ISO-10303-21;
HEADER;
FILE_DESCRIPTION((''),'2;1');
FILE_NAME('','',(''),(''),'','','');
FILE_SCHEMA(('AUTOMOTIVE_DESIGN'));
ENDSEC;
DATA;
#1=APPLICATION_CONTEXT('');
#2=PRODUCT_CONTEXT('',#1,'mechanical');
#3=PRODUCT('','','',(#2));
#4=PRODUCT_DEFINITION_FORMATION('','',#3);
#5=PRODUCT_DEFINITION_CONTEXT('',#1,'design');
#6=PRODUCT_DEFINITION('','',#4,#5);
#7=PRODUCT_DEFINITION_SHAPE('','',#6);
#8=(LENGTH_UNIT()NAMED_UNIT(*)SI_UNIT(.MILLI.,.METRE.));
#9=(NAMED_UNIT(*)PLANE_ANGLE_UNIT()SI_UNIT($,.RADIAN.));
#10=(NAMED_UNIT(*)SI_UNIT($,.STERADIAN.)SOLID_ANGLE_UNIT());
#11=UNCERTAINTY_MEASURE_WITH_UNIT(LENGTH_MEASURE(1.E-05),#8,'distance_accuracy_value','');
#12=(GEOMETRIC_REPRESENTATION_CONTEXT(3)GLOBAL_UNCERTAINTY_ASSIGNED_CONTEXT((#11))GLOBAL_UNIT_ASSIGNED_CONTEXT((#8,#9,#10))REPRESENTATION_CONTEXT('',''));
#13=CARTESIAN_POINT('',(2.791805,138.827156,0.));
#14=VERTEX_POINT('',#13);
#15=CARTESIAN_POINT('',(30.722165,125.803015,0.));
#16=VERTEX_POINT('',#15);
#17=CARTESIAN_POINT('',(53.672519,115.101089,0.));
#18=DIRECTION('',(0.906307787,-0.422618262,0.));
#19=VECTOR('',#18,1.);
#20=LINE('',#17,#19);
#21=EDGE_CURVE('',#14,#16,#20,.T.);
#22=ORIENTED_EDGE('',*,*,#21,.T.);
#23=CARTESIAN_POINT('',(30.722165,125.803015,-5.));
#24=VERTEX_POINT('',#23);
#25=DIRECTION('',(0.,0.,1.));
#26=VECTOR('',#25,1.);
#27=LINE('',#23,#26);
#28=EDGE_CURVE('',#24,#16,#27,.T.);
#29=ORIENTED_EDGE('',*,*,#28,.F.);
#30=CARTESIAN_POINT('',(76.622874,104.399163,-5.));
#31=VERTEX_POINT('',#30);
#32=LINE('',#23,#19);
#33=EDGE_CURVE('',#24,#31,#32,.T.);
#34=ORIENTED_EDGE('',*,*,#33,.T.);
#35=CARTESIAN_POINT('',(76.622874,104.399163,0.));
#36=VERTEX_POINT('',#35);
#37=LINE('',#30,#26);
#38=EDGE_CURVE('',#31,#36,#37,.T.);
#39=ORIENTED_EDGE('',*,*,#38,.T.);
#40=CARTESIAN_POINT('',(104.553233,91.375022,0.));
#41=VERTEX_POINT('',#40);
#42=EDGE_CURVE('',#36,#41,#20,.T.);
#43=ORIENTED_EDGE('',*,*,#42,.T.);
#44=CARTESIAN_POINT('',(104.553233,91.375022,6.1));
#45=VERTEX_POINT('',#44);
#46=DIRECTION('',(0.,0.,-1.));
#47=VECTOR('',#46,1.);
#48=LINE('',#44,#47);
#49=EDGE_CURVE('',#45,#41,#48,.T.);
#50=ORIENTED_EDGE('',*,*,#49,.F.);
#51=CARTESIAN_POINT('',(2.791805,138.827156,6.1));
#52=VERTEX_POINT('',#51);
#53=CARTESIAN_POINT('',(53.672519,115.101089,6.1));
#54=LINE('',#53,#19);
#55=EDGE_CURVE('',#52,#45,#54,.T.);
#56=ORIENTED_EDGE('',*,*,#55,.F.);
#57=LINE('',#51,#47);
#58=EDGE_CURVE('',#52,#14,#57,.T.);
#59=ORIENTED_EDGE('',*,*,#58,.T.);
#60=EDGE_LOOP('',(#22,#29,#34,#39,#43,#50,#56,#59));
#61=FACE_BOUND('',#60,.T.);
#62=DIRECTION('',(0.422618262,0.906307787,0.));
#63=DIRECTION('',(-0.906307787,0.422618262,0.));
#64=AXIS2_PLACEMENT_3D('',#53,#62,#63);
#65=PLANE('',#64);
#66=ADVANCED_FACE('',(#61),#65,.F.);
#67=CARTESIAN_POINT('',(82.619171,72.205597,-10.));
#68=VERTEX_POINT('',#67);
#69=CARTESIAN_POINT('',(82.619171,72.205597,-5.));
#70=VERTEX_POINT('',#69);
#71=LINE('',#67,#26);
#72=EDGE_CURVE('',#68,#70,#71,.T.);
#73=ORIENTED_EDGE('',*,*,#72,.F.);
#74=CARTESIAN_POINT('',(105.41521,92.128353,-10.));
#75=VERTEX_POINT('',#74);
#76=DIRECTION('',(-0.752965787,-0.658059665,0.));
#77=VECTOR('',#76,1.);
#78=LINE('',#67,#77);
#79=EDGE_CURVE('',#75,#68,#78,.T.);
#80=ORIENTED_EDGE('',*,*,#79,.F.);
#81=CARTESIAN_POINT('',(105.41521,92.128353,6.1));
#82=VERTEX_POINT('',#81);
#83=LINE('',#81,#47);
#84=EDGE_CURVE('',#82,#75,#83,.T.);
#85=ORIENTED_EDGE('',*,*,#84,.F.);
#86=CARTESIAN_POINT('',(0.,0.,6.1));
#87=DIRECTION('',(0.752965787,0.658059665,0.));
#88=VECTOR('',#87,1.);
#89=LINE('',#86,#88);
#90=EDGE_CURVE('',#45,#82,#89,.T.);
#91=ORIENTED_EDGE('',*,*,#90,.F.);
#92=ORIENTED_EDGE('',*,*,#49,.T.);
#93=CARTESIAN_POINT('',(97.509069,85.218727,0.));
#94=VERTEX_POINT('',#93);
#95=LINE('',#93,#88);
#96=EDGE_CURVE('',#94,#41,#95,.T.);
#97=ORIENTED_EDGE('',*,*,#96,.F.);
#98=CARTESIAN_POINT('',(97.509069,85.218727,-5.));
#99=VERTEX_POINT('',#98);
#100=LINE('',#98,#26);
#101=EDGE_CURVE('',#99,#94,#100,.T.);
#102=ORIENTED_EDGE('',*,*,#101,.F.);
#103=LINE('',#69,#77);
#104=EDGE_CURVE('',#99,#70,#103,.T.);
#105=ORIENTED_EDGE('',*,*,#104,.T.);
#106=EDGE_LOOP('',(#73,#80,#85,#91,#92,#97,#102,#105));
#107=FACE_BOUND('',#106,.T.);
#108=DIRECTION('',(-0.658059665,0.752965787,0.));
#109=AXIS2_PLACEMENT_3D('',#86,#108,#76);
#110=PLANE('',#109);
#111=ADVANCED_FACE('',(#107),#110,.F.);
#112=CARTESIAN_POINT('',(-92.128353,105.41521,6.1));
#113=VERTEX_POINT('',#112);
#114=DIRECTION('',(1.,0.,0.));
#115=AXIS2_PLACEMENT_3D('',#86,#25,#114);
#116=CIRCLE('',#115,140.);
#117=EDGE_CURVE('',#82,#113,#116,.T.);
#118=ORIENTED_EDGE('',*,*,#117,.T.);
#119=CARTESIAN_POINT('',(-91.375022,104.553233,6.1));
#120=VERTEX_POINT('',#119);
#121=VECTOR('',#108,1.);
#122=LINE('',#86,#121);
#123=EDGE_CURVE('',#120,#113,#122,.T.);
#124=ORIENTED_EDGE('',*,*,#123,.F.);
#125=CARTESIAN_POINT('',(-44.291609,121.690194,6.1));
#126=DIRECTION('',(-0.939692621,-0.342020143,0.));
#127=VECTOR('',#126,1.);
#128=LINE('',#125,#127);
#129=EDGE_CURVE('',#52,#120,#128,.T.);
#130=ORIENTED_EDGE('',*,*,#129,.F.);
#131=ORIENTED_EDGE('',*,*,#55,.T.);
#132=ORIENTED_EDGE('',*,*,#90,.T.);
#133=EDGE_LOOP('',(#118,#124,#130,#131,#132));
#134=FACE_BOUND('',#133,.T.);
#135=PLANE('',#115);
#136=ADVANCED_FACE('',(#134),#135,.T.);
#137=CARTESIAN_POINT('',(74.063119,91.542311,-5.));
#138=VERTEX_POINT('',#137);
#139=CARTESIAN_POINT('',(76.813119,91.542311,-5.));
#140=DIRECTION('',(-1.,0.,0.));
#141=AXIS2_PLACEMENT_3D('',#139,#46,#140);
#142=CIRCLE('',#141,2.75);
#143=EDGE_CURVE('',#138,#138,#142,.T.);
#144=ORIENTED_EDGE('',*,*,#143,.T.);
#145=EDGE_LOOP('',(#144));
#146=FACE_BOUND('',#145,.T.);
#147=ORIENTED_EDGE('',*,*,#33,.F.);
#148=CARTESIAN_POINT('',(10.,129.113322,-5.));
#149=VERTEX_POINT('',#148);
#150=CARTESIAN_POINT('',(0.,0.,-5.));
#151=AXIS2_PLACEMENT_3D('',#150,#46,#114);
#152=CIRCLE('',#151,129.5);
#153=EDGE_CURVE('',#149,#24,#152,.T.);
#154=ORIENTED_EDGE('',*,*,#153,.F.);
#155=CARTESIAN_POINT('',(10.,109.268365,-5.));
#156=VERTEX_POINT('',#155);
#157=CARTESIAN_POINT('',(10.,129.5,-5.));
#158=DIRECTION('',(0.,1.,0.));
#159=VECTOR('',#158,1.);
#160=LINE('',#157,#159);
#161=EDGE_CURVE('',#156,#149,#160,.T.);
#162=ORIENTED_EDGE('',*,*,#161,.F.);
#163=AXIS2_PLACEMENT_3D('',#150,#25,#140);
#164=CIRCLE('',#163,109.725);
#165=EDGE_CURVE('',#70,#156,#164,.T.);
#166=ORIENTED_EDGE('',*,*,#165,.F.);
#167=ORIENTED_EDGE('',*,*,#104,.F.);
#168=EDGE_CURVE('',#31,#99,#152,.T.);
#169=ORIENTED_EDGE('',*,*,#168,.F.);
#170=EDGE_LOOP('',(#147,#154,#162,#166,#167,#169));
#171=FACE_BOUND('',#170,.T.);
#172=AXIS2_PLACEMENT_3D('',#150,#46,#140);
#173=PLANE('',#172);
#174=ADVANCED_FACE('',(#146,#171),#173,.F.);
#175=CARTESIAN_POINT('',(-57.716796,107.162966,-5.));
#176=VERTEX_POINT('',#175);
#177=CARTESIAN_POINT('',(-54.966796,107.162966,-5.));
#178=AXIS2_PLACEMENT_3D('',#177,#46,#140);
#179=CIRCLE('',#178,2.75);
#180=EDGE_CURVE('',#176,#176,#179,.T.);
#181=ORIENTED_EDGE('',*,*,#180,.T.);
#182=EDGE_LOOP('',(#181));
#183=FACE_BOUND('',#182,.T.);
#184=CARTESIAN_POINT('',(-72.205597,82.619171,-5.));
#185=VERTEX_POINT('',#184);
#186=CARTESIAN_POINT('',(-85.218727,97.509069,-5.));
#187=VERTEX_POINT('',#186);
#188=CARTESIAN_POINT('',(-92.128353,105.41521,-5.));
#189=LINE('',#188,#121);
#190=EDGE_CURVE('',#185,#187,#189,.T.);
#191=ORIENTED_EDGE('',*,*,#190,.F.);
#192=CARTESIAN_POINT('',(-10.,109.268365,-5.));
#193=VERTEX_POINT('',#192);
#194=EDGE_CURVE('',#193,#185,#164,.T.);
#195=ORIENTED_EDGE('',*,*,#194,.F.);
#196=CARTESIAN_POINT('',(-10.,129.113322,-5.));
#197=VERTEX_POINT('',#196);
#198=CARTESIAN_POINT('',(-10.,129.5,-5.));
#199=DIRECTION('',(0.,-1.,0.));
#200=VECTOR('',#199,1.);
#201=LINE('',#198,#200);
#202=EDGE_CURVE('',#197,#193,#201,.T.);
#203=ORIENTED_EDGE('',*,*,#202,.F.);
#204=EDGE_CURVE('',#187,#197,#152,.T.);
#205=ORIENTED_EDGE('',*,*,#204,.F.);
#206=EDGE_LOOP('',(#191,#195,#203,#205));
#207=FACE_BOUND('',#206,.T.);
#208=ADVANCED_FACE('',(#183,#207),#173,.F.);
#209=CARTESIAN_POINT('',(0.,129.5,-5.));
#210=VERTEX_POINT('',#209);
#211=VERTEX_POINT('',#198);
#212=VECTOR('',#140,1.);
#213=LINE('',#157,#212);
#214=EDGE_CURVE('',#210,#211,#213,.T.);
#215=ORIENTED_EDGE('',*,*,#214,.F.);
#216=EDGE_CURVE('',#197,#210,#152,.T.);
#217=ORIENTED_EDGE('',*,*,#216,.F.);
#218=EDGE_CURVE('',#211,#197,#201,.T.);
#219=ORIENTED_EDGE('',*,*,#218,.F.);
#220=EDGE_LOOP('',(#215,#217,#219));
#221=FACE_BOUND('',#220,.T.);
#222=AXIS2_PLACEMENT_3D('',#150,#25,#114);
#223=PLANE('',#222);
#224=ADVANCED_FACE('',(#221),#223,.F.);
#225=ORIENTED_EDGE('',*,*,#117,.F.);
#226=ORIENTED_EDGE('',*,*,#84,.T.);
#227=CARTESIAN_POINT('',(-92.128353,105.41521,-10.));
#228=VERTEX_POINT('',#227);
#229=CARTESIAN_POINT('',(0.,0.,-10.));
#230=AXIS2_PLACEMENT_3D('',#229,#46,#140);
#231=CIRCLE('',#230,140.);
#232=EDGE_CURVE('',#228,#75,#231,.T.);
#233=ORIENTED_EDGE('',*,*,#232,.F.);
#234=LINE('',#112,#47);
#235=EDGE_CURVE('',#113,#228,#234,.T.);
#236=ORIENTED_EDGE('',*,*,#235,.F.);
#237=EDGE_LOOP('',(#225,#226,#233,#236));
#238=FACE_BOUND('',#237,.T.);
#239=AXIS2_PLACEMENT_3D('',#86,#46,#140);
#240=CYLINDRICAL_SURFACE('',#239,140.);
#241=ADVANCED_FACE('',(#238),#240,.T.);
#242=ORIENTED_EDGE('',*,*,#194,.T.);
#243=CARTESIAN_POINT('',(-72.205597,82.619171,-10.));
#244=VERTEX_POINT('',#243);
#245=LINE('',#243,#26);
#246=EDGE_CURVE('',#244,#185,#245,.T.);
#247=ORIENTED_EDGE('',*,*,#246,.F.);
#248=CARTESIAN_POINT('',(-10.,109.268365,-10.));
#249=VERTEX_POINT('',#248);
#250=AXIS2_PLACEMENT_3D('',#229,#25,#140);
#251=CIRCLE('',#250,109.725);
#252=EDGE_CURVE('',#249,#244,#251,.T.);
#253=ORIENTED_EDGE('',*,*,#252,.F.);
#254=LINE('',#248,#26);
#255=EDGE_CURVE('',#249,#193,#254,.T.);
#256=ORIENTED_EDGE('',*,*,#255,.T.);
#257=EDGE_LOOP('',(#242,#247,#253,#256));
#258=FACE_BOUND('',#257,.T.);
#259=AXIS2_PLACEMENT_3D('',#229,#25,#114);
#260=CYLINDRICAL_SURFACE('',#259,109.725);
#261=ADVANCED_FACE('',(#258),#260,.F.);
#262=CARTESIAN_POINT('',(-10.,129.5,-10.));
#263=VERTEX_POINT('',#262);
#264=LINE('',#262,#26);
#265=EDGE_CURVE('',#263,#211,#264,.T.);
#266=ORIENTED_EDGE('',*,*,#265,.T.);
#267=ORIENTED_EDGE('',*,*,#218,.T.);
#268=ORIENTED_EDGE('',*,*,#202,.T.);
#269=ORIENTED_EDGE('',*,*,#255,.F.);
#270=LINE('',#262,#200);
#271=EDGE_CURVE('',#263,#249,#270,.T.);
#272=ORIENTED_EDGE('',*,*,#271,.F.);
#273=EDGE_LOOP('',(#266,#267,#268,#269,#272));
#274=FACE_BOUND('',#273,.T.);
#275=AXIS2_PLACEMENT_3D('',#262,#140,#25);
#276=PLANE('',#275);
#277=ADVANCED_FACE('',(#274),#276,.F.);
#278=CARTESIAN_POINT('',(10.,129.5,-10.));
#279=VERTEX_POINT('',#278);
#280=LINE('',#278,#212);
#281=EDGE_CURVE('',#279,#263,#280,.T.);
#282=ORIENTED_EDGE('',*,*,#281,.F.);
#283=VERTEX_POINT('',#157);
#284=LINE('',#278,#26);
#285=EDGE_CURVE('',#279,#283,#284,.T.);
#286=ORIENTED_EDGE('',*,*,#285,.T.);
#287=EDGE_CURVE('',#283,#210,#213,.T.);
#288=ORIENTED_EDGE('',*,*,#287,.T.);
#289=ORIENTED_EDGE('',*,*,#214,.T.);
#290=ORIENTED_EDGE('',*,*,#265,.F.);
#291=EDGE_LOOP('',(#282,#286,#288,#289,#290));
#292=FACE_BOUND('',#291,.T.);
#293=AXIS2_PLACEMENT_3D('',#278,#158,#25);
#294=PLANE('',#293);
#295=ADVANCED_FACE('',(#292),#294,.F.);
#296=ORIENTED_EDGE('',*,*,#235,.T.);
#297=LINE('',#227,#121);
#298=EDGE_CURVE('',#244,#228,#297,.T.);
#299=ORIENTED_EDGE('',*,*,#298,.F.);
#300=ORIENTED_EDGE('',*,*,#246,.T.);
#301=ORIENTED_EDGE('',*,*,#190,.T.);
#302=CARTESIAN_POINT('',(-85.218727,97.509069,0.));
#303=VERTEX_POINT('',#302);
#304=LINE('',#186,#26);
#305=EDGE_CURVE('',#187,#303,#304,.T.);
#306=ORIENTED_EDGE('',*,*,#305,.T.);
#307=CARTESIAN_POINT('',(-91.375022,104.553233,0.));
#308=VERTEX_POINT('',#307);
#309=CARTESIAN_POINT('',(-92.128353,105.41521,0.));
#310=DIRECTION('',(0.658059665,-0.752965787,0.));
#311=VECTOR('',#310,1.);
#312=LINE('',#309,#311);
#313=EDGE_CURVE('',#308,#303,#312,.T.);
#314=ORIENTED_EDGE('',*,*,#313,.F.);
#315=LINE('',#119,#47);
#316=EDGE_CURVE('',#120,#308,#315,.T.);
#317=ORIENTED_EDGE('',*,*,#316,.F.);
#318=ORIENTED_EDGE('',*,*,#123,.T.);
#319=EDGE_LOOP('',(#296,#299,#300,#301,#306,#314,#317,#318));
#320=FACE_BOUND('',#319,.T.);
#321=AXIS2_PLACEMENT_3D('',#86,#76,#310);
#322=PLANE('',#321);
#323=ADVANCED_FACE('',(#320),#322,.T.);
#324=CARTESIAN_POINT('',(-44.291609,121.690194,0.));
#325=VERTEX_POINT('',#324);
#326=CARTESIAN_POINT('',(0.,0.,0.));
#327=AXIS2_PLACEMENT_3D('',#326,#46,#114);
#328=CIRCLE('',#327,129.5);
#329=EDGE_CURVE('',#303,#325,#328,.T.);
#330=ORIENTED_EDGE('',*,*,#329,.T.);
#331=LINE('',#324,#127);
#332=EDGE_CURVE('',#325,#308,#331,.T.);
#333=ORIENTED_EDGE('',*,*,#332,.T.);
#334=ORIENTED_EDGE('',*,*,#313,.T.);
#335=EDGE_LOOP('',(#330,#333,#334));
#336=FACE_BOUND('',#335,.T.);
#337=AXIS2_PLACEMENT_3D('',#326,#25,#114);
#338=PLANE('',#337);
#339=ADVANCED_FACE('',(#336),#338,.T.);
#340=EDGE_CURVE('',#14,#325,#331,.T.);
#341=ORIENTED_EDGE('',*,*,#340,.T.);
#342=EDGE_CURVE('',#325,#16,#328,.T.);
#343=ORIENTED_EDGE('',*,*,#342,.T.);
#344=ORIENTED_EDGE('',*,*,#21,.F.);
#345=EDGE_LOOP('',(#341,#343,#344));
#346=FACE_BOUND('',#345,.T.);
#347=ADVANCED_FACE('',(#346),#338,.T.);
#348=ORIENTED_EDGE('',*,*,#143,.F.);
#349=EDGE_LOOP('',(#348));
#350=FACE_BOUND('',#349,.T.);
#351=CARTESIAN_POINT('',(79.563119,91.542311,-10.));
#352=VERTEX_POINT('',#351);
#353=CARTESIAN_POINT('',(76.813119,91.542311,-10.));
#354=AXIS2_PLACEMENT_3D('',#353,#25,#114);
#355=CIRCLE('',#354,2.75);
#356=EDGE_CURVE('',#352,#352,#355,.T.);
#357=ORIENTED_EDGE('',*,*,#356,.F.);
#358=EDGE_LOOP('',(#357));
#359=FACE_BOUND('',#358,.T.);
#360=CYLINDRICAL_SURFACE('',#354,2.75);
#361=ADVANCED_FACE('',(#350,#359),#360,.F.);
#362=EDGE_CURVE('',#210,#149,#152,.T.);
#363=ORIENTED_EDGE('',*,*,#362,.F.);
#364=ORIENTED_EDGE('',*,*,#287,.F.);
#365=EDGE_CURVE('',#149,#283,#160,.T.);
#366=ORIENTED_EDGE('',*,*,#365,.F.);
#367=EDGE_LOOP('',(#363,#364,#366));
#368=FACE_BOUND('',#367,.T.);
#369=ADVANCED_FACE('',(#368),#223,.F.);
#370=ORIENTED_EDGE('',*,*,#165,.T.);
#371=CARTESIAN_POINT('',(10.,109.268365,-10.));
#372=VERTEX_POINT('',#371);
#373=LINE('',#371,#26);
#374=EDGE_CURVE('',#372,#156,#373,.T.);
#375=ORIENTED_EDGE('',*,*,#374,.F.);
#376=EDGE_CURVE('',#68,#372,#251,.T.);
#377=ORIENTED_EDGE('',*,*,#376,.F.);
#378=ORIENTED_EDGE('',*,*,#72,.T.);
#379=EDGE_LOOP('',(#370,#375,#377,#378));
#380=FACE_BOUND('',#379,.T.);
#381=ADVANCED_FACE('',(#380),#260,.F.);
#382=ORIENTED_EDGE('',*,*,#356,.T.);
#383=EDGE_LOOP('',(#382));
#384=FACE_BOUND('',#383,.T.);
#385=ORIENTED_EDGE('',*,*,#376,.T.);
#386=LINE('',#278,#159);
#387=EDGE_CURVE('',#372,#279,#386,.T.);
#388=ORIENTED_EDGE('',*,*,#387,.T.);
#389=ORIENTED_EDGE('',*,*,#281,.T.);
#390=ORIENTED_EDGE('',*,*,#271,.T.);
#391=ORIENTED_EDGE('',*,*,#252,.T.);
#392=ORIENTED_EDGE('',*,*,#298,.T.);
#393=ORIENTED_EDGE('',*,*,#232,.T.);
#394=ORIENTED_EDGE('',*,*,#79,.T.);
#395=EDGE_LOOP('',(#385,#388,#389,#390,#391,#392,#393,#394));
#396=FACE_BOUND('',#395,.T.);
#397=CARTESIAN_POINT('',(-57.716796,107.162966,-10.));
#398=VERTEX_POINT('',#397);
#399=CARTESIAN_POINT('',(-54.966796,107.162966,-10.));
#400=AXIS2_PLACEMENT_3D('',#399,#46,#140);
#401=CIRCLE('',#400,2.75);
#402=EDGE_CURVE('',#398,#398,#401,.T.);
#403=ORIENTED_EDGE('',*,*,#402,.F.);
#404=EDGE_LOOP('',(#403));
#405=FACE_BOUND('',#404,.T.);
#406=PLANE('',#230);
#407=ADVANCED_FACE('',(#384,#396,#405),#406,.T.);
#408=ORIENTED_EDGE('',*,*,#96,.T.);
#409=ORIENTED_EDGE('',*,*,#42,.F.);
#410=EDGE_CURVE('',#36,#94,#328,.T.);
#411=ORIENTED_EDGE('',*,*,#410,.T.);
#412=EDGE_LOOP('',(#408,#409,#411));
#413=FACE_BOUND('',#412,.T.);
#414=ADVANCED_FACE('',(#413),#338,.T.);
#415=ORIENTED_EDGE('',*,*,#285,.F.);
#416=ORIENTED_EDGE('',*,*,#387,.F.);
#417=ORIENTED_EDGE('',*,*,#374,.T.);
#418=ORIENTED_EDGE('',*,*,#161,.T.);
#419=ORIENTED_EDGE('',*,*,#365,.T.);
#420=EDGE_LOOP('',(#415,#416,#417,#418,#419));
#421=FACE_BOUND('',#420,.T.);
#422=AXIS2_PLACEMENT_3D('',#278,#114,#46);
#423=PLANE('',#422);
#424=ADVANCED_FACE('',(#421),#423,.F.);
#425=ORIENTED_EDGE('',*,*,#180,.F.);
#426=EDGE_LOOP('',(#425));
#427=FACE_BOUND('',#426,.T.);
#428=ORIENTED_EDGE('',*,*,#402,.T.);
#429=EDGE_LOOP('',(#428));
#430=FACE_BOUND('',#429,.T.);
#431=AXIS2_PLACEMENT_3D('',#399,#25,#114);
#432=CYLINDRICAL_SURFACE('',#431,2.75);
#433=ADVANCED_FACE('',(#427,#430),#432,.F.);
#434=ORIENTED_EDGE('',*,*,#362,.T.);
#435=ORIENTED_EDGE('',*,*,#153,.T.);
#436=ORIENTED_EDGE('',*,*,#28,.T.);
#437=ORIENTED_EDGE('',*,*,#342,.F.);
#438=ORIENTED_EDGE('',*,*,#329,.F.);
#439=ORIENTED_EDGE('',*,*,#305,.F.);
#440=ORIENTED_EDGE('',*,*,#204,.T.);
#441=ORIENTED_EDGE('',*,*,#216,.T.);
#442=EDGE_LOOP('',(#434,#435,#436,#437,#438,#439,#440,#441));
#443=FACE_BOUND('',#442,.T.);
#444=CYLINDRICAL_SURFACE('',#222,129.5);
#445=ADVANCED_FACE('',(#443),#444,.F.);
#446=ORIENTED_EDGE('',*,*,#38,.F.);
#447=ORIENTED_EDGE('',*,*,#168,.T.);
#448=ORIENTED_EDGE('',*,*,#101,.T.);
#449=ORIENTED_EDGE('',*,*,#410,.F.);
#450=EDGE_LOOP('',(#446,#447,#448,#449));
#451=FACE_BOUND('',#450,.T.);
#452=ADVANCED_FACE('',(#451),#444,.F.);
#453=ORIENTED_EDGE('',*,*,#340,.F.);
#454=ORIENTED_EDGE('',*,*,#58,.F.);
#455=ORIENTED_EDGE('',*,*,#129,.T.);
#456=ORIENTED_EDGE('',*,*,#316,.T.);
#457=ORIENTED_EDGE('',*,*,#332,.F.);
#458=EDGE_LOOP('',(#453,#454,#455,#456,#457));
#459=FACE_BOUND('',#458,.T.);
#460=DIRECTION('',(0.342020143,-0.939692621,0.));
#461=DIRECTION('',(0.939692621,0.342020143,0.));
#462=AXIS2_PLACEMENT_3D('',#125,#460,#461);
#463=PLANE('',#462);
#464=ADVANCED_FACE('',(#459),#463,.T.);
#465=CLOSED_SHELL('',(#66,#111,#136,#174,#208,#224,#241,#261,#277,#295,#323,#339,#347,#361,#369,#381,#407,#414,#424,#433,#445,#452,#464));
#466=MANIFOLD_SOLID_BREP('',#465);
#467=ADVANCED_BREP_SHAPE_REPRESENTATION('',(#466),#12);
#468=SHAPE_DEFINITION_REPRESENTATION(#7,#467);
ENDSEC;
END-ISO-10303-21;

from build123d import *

# Parameters (mm, degrees)
BOSS_EXTRUDE1_DEPTH = 6.1
BOSS_EXTRUDE4_START = -5
BOSS_EXTRUDE4_DEPTH = 5
BOSS_EXTRUDE5_START = 5
SKETCH6_R           = 2.75
BOSS_EXTRUDE5_DEPTH = 5
SKETCH7_R           = 2.75
CUT_EXTRUDE1_DEPTH  = 176.534516689


with BuildPart() as part:
    # Sketch4 → Boss-Extrude1 (new body)
    with BuildSketch(Plane.XY):
        with BuildLine():
            Line((2.791805242, 138.827155544), (104.55323324, 91.375022364))
            Line((104.55323324, 91.375022364), (105.415210237, 92.128353131))
            ThreePointArc((105.415210237, 92.128353131), (9.395226761, 139.684393237), (-92.128353131, 105.415210237))
            Line((-92.128353131, 105.415210237), (-91.375022364, 104.55323324))
            Line((-91.375022364, 104.55323324), (2.791805242, 138.827155544))
        make_face()
    extrude(amount=BOSS_EXTRUDE1_DEPTH)

    # Sketch5 → Boss-Extrude4 (add)
    with BuildSketch(Plane.XY.offset(BOSS_EXTRUDE4_START)):
        with BuildLine():
            Line((30.722164617, 125.803015072), (76.622873865, 104.399162835))
            ThreePointArc((76.622873865, 104.399162835), (87.59255508, 95.382358403), (97.50906947, 85.218726646))
            Line((97.50906947, 85.218726646), (105.415210237, 92.128353131))
            ThreePointArc((105.415210237, 92.128353131), (9.395226761, 139.684393237), (-92.128353131, 105.415210237))
            Line((-92.128353131, 105.415210237), (-85.218726646, 97.50906947))
            ThreePointArc((-85.218726646, 97.50906947), (-30.701883618, 125.807966132), (30.722164617, 125.803015072))
        make_face()
    extrude(amount=BOSS_EXTRUDE4_DEPTH)

    # Sketch6 → Boss-Extrude5 (add)
    with BuildSketch(Plane(origin=(0, 0, -5), x_dir=(-1, 0, 0), z_dir=(0, 0, -1)).offset(BOSS_EXTRUDE5_START)):
        with BuildLine():
            Line((-10, 129.5), (10, 129.5))
            Line((10, 129.5), (10, 109.268365161))
            ThreePointArc((10, 109.268365161), (43.208620922, 100.85926186), (72.205596766, 82.619171024))
            Line((72.205596766, 82.619171024), (92.128353131, 105.415210237))
            ThreePointArc((92.128353131, 105.415210237), (-9.395226761, 139.684393237), (-105.415210237, 92.128353131))
            Line((-105.415210237, 92.128353131), (-82.619171024, 72.205596766))
            ThreePointArc((-82.619171024, 72.205596766), (-49.879754516, 97.732214313), (-10, 109.268365161))
            Line((-10, 109.268365161), (-10, 129.5))
        make_face()
        with Locations((54.966796439, 107.162966034)):
            Circle(SKETCH6_R, mode=Mode.SUBTRACT)
    extrude(amount=-BOSS_EXTRUDE5_DEPTH)

    # Sketch7 → Cut-Extrude1 (cut, through all)
    with BuildSketch(Plane.XY):
        with Locations((76.813119358, 91.542310953)):
            Circle(SKETCH7_R)
    extrude(amount=-CUT_EXTRUDE1_DEPTH, mode=Mode.SUBTRACT)


solid = part.part
